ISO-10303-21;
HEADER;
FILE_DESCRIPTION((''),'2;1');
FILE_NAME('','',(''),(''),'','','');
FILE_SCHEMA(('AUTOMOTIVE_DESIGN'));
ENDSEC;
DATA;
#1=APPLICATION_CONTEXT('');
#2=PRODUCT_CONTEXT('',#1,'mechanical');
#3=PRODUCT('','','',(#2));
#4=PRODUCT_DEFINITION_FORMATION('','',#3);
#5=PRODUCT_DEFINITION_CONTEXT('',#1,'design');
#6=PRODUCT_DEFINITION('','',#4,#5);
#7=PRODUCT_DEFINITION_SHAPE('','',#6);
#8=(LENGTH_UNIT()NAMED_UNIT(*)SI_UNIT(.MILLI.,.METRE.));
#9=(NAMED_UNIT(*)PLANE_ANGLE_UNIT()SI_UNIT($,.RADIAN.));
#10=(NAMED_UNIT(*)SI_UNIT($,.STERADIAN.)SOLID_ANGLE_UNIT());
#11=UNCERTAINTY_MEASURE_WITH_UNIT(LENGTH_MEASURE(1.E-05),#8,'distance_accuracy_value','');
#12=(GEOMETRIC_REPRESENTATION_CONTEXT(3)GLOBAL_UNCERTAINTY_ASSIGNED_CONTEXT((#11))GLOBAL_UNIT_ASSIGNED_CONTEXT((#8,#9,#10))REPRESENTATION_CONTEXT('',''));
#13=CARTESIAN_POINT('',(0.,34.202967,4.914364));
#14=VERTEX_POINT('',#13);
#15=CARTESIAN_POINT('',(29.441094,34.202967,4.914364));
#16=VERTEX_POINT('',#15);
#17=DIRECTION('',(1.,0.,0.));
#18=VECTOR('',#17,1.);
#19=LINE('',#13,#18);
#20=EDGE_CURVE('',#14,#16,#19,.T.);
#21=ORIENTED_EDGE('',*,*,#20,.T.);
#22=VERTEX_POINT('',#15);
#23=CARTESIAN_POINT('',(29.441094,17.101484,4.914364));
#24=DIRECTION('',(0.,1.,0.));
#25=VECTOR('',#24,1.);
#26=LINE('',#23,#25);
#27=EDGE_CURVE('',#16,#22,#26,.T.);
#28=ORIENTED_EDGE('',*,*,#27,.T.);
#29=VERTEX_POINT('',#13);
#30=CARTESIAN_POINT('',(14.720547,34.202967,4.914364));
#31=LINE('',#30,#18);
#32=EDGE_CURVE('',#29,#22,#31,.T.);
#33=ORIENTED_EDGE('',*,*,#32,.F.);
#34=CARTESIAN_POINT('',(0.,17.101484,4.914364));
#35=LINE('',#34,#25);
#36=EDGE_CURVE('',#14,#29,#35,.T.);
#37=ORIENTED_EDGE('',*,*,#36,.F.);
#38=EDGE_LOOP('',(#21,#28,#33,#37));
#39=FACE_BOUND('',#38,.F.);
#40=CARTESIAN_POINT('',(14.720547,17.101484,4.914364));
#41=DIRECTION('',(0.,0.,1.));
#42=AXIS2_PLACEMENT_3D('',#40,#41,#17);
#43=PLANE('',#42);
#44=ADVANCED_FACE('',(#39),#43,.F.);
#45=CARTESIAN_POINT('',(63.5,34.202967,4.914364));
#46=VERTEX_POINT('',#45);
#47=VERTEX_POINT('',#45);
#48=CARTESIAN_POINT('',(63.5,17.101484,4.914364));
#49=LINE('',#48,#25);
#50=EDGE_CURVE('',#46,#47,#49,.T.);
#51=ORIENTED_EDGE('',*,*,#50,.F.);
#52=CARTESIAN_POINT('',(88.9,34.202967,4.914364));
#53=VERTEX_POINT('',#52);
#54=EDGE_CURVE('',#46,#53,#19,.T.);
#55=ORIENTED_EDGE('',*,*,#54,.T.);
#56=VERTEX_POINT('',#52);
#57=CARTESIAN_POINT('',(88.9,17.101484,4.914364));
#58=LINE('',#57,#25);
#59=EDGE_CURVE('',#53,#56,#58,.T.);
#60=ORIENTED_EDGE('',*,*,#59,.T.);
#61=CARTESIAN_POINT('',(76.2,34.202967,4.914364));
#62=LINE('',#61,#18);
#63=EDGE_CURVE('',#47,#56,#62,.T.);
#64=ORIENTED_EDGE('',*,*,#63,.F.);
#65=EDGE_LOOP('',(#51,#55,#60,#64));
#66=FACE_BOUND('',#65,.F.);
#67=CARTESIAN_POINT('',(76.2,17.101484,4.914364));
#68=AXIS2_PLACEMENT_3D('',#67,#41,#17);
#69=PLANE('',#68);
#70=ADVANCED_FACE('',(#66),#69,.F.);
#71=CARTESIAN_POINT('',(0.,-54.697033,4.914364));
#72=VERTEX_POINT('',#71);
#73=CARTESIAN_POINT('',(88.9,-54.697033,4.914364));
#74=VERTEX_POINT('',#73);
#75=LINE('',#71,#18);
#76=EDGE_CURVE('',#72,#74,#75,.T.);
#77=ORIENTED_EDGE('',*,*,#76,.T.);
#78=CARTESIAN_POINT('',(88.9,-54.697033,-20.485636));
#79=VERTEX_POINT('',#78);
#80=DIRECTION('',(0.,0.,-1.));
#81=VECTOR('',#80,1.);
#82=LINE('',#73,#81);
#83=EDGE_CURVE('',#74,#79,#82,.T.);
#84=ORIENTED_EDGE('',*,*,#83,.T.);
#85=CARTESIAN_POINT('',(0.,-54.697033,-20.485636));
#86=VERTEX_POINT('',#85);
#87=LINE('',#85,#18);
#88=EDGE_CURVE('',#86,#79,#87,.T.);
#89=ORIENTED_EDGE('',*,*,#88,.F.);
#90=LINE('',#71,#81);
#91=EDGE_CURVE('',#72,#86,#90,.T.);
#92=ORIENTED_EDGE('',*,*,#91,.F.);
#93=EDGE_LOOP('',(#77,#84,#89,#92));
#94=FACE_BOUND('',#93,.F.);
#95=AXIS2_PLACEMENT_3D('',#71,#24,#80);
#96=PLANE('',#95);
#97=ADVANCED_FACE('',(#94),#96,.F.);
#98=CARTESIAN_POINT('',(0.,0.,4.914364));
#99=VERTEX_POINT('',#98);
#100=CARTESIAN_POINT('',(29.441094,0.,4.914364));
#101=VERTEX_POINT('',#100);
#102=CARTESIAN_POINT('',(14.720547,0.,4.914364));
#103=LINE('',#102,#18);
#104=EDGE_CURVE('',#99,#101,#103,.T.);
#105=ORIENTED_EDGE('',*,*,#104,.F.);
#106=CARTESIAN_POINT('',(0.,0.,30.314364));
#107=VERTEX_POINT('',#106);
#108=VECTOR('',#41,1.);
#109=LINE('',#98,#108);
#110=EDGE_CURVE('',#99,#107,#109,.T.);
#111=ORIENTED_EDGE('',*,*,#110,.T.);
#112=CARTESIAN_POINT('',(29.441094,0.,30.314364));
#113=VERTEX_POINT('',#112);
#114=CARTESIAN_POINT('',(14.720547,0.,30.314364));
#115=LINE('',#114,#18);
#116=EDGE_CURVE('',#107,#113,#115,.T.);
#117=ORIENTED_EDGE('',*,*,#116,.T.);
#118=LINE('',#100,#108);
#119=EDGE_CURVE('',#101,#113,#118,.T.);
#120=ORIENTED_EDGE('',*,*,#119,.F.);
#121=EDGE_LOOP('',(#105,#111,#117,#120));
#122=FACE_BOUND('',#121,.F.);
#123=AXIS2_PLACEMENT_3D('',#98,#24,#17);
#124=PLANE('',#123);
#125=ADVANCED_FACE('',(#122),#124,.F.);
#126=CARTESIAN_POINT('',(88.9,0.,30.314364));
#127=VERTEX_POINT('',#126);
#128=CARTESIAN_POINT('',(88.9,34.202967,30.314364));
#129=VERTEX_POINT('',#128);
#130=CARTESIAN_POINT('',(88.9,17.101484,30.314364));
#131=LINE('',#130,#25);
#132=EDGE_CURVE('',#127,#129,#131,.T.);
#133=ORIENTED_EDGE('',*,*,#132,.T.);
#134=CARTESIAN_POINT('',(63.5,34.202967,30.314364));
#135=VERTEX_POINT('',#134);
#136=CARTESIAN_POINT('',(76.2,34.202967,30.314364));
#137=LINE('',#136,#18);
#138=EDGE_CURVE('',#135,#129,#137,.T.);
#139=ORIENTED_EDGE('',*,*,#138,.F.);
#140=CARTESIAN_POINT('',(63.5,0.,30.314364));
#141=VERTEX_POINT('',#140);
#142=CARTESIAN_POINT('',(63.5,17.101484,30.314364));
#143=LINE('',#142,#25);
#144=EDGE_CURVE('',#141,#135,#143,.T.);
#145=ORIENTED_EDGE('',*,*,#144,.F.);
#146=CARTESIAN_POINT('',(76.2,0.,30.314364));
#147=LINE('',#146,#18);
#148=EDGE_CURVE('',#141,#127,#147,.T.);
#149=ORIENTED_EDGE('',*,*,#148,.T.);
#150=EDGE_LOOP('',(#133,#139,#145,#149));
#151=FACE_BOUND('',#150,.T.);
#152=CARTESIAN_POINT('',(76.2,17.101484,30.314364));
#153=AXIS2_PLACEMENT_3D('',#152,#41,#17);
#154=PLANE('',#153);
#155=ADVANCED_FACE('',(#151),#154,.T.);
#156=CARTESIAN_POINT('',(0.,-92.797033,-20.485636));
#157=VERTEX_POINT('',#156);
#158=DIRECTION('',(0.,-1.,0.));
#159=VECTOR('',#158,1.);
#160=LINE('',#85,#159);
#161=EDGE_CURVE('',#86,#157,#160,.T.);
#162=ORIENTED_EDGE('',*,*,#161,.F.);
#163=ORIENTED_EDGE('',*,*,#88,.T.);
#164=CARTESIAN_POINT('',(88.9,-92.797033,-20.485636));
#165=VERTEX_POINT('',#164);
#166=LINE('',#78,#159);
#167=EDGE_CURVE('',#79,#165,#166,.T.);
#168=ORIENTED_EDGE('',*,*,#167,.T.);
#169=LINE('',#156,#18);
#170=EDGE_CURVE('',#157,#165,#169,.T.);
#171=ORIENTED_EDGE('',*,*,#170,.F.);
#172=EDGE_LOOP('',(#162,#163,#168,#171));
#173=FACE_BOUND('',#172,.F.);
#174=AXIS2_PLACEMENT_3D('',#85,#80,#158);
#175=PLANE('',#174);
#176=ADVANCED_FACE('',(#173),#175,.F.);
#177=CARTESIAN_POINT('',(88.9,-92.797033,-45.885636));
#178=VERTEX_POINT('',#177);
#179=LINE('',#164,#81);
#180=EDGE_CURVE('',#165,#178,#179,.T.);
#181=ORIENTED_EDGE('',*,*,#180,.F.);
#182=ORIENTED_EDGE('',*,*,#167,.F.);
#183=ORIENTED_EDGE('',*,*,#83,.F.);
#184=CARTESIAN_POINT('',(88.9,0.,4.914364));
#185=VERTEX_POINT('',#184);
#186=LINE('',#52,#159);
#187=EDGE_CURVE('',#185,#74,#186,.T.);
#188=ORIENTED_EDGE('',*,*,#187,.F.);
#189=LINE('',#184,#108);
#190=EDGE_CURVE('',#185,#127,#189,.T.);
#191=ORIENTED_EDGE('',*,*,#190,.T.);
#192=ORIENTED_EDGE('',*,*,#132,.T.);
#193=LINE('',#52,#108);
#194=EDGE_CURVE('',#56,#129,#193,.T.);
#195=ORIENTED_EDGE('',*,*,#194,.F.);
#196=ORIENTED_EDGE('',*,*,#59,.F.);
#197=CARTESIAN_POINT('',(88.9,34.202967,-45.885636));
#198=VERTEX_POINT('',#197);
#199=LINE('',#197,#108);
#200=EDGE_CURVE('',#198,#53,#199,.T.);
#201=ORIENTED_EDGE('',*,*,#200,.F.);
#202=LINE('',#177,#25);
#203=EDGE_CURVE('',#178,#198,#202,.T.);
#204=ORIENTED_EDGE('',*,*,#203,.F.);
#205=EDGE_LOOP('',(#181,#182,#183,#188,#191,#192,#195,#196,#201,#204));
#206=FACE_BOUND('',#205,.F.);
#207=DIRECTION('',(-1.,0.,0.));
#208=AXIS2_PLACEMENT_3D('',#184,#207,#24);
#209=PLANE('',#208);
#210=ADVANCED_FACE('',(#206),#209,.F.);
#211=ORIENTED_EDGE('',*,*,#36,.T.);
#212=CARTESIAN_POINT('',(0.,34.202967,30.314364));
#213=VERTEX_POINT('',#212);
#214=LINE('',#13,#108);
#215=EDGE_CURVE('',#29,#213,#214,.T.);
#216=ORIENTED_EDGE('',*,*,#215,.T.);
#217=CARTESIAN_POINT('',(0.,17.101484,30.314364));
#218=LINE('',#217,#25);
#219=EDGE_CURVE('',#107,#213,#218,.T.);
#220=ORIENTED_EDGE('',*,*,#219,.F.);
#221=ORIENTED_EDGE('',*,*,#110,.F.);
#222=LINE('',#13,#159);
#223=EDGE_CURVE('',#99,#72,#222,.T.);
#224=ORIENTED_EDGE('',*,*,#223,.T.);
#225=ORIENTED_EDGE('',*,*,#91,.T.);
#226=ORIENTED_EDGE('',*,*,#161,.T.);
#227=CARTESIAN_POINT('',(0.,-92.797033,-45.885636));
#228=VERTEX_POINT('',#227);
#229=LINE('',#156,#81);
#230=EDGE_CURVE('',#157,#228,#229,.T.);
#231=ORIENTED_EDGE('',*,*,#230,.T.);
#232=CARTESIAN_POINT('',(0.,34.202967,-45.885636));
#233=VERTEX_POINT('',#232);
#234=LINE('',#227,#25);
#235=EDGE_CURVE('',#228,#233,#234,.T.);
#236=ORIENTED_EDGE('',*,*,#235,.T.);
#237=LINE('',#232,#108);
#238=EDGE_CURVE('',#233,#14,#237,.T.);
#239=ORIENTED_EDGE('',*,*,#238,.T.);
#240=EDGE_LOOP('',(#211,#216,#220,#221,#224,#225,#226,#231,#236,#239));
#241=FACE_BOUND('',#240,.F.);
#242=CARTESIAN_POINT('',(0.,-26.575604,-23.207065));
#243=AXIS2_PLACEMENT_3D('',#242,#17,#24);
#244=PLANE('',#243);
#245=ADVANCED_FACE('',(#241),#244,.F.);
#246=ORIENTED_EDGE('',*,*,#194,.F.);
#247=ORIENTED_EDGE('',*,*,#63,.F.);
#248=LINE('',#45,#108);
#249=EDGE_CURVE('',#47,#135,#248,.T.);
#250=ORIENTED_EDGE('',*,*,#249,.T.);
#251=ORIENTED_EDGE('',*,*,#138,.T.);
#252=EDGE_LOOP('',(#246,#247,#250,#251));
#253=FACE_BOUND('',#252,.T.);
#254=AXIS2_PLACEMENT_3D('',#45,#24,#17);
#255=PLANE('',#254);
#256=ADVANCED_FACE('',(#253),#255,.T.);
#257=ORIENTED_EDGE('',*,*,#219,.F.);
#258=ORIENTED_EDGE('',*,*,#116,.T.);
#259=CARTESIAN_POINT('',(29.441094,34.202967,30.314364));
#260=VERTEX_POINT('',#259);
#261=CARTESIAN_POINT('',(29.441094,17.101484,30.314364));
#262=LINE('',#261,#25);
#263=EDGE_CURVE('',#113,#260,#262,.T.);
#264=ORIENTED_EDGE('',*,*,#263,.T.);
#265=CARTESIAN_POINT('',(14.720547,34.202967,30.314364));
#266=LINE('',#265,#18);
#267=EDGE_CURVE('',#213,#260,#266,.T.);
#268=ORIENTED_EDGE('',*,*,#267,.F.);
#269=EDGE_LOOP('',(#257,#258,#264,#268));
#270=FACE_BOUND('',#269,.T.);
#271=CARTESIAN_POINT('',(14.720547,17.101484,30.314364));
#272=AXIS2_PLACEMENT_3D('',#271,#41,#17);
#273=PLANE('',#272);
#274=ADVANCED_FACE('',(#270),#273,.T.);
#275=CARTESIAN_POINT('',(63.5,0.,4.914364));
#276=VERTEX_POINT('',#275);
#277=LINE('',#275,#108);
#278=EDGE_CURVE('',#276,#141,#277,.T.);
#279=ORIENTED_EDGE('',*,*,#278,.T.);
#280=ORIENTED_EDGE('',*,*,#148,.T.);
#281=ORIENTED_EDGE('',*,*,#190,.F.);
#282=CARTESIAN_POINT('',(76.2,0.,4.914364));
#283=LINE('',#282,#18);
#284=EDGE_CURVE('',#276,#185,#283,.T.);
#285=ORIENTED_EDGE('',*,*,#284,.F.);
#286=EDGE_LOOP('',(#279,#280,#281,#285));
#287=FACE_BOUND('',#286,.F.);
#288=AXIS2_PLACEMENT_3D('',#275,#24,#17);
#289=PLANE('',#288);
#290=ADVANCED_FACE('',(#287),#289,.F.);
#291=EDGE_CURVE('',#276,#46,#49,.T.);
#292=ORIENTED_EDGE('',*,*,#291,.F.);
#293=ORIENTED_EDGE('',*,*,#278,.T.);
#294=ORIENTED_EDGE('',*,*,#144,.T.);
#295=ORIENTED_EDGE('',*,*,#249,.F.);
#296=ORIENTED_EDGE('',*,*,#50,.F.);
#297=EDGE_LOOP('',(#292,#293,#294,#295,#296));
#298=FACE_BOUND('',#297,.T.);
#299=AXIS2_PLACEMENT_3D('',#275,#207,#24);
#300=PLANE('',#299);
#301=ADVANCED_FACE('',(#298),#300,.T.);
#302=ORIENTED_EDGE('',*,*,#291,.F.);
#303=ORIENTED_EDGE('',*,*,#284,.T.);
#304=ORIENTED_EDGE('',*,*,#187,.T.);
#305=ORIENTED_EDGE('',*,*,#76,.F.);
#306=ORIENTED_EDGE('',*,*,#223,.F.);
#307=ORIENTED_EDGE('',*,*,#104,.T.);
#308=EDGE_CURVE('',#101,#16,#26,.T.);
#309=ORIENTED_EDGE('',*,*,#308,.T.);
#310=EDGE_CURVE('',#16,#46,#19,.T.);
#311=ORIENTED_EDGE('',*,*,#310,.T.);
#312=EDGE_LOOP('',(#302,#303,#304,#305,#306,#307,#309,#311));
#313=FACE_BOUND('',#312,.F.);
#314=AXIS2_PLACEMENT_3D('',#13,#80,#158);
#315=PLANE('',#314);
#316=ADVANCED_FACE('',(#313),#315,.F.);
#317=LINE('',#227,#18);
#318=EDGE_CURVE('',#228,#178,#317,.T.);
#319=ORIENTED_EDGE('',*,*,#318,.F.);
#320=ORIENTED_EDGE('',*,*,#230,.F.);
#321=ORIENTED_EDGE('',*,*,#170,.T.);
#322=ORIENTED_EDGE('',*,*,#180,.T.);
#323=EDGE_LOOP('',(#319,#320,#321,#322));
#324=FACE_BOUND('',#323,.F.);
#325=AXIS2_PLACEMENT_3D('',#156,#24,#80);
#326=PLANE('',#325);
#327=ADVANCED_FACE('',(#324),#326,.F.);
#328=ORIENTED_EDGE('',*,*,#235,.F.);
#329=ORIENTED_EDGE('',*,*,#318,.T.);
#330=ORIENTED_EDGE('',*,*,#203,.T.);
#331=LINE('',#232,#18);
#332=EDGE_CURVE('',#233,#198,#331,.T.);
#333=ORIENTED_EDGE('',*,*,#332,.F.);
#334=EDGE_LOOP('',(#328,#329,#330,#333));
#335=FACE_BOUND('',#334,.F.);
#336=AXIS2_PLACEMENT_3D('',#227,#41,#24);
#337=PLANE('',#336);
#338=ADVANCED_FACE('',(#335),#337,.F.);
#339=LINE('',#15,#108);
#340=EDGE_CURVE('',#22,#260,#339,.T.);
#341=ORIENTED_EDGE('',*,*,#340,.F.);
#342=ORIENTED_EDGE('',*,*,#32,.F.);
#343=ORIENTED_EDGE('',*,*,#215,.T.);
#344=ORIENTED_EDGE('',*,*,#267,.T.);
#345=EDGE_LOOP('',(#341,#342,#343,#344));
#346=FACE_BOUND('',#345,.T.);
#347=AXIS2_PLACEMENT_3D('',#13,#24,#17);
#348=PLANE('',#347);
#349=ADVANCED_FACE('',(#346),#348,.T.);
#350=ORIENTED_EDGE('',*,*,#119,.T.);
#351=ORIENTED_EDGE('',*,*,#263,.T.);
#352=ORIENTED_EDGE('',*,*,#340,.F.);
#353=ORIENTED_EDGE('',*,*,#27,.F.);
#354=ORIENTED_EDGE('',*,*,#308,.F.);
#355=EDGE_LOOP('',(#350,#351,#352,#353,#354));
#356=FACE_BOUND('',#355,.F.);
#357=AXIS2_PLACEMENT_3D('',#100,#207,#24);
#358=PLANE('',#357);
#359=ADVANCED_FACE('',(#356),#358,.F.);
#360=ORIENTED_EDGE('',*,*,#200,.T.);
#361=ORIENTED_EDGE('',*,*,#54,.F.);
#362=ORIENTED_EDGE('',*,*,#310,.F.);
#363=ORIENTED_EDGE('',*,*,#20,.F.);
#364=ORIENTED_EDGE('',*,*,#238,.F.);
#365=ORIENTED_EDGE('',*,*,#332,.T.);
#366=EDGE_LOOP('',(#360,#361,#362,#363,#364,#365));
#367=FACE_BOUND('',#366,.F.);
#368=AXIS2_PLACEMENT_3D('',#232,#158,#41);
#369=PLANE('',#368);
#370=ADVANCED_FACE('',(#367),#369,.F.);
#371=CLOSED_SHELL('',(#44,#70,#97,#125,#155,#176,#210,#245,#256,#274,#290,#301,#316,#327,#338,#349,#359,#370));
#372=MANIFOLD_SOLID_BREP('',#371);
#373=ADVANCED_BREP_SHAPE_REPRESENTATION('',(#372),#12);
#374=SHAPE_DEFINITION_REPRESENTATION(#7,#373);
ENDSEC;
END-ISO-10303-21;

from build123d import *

# Parameters (mm, degrees)
F1_DEPTH = 88.9
F2_W     = 25.4
F2_H     = 34.202967
F2_W_2   = 29.441094
F3_DEPTH = 25.4


with BuildPart() as f1:
    # F0 (on Right) → F1 (new body)
    with BuildSketch(Plane.YZ):
        Polygon((34.202967, 4.914364), (-54.697033, 4.914364), (-54.697033, -20.485636), (-92.797033, -20.485636), (-92.797033, -45.885636), (34.202967, -45.885636), align=None)
    extrude(amount=F1_DEPTH)

    # F2 (on face) → F3 (join)
    with BuildSketch(Plane.XY.offset(4.914364)):
        with Locations((76.2, 17.101484)):
            Rectangle(F2_W, F2_H)
        with Locations((14.720547, 17.101484)):
            Rectangle(F2_W_2, F2_H)
    extrude(amount=F3_DEPTH)


solid = f1.part
